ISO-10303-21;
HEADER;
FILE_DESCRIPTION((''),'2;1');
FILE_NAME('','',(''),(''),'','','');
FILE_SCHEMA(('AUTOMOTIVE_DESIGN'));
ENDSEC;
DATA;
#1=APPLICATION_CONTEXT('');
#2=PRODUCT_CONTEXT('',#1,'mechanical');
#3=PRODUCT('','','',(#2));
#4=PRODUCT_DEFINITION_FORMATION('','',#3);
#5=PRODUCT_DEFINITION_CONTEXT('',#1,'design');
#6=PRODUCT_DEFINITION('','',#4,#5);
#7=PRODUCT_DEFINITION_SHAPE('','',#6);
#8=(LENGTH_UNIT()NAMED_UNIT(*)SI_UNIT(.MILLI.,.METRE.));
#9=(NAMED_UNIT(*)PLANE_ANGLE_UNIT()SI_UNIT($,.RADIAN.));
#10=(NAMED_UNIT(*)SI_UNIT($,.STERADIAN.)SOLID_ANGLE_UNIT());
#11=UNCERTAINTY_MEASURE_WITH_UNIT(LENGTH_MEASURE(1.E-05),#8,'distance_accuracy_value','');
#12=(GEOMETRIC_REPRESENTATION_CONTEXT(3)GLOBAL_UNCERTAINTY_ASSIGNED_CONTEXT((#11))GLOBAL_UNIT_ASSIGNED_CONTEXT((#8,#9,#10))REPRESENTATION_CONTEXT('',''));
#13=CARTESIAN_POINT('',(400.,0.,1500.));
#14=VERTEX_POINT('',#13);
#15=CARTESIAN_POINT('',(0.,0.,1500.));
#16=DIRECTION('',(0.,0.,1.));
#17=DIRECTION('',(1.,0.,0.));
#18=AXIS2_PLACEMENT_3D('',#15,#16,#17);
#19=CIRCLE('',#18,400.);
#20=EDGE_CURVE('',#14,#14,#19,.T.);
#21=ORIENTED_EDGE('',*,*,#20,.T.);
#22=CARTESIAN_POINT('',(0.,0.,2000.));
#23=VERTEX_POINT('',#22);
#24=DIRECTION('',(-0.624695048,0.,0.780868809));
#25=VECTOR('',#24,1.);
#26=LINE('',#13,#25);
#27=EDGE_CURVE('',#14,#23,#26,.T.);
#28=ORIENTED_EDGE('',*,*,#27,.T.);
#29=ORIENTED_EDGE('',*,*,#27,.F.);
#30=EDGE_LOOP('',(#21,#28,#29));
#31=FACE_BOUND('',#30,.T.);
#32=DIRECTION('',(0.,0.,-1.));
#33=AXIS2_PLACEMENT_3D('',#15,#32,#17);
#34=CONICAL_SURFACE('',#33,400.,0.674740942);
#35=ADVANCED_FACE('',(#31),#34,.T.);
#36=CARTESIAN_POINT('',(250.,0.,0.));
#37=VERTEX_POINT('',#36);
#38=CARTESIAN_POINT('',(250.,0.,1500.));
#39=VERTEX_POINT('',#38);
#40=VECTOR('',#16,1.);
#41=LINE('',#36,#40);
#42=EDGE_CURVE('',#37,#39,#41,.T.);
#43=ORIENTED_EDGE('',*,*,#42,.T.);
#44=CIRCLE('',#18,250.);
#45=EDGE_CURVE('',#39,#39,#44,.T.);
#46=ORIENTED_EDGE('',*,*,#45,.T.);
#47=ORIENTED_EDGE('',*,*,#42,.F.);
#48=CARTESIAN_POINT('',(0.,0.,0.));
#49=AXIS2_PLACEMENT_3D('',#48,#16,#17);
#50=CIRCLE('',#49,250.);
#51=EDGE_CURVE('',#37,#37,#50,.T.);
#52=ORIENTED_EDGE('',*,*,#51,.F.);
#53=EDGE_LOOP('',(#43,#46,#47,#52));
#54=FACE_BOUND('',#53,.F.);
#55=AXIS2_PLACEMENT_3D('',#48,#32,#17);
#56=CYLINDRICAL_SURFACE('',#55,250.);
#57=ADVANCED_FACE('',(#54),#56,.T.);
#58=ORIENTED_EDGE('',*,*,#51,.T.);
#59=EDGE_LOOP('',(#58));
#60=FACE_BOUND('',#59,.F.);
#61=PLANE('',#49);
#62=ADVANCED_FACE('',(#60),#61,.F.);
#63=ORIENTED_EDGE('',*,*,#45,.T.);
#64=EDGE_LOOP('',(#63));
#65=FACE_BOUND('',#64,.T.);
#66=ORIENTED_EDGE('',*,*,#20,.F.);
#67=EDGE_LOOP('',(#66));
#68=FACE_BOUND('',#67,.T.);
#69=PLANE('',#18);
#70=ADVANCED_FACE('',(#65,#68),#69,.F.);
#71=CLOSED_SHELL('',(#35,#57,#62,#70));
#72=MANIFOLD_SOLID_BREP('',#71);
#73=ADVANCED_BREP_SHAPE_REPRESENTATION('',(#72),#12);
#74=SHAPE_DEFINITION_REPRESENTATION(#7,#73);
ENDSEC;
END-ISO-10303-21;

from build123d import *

# Parameters (mm, degrees)
F0_R     = 250
F1_DEPTH = 1500


with BuildPart() as f1:
    # F0 (on Top) → F1 (new body)
    with BuildSketch(Plane.XY):
        Circle(F0_R)
    extrude(amount=F1_DEPTH)

    # F2 (on Front) → F3 (revolve)
    with BuildSketch(Plane.XZ):
        Polygon((0, 2000), (0, 1500), (400, 1500), align=None)
    revolve(axis=Axis((0, 0, 1750), (0, 0, 1)))


solid = f1.part
